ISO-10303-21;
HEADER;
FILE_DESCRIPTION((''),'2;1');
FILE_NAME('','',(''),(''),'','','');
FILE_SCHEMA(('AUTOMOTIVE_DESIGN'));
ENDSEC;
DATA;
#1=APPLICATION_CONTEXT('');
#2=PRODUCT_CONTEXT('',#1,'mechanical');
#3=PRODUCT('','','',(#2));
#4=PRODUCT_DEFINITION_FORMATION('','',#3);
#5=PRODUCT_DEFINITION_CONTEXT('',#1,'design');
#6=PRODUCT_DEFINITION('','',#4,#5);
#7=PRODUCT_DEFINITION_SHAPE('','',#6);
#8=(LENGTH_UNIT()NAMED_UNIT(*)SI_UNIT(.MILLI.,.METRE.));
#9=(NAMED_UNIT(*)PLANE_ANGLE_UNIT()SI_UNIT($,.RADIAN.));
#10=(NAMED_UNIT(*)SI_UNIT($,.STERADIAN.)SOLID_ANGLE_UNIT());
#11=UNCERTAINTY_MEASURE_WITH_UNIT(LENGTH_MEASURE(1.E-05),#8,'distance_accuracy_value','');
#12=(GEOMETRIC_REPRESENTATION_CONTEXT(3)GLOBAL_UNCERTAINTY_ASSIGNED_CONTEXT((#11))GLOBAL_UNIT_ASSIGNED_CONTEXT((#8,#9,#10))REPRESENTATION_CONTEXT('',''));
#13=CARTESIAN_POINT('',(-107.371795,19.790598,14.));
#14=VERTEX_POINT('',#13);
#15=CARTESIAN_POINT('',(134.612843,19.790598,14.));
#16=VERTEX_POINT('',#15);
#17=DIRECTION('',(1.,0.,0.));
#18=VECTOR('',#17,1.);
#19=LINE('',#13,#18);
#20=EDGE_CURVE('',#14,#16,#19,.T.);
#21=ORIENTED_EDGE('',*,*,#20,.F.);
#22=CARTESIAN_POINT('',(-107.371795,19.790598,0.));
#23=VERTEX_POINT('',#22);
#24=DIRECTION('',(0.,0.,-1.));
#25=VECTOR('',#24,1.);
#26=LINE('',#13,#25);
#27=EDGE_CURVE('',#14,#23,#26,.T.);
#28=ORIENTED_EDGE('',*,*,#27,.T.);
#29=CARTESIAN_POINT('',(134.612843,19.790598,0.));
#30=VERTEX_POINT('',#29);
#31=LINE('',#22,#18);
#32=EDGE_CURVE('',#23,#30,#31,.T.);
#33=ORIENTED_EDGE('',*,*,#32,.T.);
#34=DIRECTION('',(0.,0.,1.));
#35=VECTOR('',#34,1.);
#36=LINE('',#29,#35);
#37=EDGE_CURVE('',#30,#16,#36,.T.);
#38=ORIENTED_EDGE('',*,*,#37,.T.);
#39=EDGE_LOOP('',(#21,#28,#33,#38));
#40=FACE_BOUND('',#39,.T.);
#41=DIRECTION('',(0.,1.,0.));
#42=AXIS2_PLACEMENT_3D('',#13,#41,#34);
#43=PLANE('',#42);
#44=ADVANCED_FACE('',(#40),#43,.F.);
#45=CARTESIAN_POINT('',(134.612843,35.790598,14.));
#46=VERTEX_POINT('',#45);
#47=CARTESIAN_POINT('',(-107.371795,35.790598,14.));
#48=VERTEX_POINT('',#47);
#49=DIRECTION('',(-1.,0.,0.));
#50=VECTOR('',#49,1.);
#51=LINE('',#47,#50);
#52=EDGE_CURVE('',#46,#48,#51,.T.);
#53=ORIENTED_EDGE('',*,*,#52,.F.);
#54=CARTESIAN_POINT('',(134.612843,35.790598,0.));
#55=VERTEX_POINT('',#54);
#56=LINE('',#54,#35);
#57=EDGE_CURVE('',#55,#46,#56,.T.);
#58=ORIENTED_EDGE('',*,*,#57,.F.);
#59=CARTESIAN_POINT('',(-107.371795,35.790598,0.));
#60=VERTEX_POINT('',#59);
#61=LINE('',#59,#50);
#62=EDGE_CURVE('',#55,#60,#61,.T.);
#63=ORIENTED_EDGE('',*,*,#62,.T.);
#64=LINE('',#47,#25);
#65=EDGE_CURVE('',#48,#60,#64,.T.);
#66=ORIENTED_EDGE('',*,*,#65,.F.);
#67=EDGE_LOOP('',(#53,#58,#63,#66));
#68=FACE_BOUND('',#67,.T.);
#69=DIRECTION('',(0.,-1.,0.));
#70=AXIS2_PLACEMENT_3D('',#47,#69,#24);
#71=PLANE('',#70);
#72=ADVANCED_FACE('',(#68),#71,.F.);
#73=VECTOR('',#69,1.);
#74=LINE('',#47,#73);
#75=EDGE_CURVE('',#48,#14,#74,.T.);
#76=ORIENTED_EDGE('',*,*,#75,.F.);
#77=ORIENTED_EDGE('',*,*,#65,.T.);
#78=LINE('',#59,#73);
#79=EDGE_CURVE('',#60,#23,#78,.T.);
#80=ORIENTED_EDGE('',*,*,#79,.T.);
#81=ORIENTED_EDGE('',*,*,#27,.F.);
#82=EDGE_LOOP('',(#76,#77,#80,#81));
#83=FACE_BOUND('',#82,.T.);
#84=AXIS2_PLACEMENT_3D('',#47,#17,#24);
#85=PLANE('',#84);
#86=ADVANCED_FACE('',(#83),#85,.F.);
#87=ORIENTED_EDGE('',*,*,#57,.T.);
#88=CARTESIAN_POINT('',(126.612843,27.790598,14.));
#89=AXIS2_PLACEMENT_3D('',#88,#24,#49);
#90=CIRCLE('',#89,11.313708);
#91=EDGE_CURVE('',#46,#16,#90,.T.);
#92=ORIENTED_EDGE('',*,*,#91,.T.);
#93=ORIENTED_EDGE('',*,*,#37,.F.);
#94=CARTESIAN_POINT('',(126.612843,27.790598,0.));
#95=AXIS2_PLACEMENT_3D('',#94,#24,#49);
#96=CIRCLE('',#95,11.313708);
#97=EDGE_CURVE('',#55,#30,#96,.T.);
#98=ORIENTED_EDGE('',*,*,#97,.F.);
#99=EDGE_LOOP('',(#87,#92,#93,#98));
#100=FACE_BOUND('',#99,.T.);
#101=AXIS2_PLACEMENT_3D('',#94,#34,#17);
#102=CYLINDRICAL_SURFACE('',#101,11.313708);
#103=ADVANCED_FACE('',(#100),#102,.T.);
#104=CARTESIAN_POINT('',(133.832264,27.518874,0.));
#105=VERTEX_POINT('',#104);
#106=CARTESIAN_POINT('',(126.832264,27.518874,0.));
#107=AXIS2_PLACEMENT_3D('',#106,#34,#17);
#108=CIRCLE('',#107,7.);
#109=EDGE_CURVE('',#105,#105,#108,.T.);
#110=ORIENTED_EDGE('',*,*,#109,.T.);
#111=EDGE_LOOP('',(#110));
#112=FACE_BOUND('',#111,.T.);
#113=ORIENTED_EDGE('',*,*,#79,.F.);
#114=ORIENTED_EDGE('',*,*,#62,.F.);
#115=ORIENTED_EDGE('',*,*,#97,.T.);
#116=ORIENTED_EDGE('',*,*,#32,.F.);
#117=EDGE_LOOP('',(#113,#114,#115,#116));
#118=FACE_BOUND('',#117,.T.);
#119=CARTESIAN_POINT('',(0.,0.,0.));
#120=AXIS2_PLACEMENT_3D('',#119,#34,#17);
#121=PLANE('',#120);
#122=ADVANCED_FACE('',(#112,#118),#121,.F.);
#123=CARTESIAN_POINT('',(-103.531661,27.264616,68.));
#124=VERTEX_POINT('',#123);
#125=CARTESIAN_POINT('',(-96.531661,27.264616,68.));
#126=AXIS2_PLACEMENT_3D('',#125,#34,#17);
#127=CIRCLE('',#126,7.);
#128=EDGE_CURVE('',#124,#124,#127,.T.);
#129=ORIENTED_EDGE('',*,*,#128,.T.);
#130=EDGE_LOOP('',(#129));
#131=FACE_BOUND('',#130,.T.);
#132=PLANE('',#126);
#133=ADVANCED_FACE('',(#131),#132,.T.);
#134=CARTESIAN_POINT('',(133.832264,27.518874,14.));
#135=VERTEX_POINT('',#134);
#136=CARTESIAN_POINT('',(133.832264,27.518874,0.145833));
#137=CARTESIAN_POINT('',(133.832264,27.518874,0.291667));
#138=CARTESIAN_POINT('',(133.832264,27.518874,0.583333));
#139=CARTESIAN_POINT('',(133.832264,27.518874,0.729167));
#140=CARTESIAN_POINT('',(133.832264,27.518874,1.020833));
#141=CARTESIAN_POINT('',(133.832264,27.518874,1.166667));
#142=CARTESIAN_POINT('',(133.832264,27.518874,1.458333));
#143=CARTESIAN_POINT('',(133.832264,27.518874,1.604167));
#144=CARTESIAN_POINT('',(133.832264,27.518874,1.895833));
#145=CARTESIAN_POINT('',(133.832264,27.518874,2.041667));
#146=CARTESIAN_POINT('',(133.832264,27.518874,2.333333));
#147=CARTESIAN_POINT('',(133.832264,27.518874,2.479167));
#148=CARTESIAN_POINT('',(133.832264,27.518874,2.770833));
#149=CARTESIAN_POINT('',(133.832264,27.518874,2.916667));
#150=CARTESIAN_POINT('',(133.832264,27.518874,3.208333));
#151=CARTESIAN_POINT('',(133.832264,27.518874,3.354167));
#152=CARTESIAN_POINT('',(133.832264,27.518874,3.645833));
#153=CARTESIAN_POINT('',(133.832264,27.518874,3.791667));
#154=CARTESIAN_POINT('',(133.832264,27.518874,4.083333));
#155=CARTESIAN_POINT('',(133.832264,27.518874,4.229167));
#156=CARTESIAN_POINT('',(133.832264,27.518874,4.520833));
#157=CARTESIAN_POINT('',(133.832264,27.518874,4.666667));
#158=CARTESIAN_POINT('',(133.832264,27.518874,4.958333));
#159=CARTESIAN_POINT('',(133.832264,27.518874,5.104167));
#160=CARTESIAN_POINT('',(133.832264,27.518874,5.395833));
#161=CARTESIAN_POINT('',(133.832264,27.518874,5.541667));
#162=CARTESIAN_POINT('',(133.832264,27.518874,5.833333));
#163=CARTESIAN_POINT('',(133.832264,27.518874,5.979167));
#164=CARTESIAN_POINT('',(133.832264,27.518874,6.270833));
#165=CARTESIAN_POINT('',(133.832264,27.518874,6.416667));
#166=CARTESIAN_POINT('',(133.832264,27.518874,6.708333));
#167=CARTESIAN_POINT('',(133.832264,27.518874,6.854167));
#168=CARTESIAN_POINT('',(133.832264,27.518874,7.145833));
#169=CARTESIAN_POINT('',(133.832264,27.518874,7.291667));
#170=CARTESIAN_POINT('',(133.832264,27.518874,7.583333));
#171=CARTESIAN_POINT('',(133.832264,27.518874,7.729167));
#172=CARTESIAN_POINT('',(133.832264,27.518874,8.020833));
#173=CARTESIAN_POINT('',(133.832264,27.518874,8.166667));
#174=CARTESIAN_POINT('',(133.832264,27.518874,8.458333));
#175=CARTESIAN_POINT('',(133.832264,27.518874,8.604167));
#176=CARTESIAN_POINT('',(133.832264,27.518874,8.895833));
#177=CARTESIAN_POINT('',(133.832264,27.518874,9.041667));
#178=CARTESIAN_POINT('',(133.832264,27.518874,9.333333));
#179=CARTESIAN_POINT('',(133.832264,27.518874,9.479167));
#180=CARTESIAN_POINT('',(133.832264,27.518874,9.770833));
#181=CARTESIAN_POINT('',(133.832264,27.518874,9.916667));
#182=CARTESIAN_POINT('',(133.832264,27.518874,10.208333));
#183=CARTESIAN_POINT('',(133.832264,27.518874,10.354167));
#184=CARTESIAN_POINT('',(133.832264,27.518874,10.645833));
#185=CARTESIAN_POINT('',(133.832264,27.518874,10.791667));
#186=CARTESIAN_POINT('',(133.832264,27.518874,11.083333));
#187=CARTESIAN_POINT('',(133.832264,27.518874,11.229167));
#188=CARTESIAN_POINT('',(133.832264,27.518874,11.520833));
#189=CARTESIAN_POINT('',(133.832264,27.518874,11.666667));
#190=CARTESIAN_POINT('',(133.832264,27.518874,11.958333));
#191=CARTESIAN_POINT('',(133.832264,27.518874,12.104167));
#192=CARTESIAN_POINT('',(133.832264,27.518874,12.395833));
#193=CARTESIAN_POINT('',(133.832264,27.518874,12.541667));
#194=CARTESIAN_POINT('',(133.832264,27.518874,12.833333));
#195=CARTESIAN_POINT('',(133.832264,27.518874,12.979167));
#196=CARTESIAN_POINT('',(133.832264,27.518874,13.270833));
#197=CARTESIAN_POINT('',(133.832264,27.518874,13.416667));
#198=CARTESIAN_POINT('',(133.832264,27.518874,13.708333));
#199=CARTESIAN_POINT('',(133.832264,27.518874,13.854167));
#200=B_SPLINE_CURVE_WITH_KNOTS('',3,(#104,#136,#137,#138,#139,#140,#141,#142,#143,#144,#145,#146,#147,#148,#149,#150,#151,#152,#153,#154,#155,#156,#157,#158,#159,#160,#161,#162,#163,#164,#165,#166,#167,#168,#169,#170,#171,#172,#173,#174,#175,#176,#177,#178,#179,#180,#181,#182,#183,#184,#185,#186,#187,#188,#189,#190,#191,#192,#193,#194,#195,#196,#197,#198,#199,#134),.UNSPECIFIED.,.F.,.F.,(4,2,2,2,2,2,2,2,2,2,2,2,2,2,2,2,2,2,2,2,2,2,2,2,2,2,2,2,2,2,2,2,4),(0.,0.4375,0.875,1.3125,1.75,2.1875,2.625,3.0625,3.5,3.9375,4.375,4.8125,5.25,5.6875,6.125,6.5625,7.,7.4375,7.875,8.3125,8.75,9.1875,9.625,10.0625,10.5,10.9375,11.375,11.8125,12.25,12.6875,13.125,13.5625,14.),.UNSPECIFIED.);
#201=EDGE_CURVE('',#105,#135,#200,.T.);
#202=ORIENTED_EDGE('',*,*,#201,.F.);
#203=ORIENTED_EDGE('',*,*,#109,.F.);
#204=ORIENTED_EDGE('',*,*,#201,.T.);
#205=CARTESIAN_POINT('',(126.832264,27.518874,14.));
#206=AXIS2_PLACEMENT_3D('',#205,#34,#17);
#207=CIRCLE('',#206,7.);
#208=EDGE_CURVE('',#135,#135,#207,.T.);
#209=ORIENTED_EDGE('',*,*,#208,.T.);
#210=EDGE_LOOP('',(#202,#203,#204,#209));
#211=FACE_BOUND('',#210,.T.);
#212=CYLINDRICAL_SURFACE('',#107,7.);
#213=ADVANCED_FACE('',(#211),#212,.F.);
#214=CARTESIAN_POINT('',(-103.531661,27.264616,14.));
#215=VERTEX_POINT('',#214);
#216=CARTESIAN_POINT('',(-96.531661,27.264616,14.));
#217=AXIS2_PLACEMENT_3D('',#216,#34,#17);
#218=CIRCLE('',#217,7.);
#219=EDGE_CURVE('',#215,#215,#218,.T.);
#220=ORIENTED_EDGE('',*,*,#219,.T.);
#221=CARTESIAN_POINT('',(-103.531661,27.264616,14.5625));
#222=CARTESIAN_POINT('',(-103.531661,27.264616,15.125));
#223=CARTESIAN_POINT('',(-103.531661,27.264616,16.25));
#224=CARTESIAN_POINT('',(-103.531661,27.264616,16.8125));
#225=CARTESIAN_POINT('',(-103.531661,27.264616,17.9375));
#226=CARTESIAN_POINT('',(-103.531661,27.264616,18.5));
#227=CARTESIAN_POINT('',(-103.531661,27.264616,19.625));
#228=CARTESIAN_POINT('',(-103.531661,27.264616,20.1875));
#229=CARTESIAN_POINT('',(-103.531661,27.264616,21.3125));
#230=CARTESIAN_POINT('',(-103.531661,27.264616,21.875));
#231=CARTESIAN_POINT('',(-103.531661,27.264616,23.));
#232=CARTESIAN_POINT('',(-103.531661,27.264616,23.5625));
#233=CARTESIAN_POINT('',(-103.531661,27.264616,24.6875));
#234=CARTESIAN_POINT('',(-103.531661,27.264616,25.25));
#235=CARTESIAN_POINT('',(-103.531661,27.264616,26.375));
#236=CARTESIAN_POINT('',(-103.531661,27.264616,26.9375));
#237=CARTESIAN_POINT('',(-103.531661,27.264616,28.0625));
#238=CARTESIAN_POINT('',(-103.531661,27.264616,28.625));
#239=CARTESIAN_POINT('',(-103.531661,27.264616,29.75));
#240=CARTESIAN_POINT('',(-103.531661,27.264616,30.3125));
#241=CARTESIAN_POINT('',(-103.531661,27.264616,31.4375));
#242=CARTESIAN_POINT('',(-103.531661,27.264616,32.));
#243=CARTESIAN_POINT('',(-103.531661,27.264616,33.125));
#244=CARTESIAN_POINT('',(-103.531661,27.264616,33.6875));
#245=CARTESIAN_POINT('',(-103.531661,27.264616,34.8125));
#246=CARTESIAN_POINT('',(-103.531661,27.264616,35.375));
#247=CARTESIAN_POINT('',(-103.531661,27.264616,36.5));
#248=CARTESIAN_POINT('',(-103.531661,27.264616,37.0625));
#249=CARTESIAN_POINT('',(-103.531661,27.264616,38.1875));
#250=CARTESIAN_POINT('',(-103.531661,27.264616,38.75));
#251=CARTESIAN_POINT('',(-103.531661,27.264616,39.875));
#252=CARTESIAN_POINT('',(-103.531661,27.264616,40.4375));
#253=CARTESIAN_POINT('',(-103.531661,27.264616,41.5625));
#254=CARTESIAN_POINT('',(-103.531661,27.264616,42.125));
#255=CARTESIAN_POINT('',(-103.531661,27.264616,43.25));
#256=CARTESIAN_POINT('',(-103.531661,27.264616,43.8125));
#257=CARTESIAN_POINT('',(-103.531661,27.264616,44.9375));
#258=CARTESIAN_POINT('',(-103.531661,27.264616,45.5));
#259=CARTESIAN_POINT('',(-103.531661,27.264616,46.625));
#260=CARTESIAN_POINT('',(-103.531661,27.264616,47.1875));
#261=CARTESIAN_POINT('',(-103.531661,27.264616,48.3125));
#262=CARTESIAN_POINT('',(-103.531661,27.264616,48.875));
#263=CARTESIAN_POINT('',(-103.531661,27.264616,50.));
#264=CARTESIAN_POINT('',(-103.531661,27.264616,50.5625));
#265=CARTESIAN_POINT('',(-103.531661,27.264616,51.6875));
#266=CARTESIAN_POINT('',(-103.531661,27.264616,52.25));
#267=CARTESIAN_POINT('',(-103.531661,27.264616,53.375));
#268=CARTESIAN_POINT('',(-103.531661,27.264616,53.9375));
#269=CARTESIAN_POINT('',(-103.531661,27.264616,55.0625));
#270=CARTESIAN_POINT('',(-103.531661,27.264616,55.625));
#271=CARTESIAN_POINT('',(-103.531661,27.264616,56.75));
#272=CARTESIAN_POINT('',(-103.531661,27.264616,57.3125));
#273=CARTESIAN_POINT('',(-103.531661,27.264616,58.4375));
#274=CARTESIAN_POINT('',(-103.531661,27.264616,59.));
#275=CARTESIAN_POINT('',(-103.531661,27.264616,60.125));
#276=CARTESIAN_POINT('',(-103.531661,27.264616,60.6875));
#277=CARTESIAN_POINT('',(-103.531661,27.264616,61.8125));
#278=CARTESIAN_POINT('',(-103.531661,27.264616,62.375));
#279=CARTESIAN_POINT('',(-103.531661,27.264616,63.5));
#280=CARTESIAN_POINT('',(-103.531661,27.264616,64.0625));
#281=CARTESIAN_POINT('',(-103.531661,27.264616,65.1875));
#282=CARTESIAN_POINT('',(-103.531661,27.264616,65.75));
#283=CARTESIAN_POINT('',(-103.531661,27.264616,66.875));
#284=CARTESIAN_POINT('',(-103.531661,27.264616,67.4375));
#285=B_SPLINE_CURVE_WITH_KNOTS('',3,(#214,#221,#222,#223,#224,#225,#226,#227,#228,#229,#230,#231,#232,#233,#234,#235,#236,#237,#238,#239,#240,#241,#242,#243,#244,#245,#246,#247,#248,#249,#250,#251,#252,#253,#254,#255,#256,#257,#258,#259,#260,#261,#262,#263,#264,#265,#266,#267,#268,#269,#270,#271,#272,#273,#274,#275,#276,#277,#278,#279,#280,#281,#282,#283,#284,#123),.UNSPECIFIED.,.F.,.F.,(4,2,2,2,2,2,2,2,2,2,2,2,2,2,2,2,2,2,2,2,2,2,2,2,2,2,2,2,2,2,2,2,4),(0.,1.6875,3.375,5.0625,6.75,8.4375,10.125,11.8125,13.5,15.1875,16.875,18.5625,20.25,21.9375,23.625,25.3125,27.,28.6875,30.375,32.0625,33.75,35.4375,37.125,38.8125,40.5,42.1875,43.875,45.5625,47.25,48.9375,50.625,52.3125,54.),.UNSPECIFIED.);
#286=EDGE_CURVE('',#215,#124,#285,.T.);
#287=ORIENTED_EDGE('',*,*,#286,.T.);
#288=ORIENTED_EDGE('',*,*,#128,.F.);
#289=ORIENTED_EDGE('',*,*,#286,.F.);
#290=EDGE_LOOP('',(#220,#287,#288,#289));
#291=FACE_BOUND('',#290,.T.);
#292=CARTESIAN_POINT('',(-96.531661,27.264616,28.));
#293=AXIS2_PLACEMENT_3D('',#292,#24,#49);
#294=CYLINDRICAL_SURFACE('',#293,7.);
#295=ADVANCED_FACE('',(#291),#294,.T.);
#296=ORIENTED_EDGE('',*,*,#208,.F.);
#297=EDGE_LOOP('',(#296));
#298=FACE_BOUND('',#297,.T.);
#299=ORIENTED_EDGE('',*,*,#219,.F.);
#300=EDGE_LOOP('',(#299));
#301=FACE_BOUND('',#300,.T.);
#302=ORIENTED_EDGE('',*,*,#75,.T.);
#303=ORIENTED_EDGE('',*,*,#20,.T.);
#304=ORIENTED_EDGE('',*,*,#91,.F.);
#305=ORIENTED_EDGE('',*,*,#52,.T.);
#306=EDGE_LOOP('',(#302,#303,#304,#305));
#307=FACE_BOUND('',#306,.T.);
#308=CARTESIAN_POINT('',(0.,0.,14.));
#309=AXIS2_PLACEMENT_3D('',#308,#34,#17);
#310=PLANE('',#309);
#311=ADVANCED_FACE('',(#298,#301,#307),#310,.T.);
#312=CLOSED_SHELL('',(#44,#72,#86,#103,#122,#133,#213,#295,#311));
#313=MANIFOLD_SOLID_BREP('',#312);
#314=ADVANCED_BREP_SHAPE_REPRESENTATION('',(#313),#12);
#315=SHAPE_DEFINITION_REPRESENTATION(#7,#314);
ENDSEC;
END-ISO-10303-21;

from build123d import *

# Parameters (mm, degrees)
SKETCH1_W           = 250
SKETCH1_H           = 16
BOSS_EXTRUDE1_DEPTH = 14
SKETCH2_R           = 7
CUT_EXTRUDE1_DEPTH  = 148.715171273
CUT_EXTRUDE3_DEPTH  = 148.715171273
SKETCH4_R           = 7
BOSS_EXTRUDE2_DEPTH = 14
SKETCH5_R           = 7
BOSS_EXTRUDE3_DEPTH = 40


with BuildPart() as part:
    # Sketch1 → Boss-Extrude1 (new body)
    with BuildSketch(Plane.XY):
        with Locations((17.628205128, 27.790598291)):
            Rectangle(SKETCH1_W, SKETCH1_H)
    extrude(amount=BOSS_EXTRUDE1_DEPTH)

    # Sketch2 → Cut-Extrude1 (cut, through all)
    with BuildSketch(Plane.XY.offset(14)):
        with Locations((126.832264356, 27.518873536)):
            Circle(SKETCH2_R)
    extrude(amount=-CUT_EXTRUDE1_DEPTH, mode=Mode.SUBTRACT)

    # Sketch3 → Cut-Extrude3 (cut, through all)
    with BuildSketch(Plane.XY.offset(14)):
        with BuildLine():
            Line((142.628205128, 19.790598291), (134.612843431, 19.790598291))
            ThreePointArc((134.612843431, 19.790598291), (137.92655193, 27.790598291), (134.612843431, 35.790598291))
            Line((134.612843431, 35.790598291), (142.628205128, 35.790598291))
            Line((142.628205128, 35.790598291), (142.628205128, 19.790598291))
        make_face()
    extrude(amount=-CUT_EXTRUDE3_DEPTH, mode=Mode.SUBTRACT)

    # Sketch4 → Boss-Extrude2 (add)
    with BuildSketch(Plane.XY.offset(14)):
        with Locations(Location((-96.531660716, 27.264616337, 0), (0, 0, 180))):
            Circle(SKETCH4_R)
    extrude(amount=BOSS_EXTRUDE2_DEPTH)

    # Sketch5 → Boss-Extrude3 (add)
    with BuildSketch(Plane.XY.offset(28)):
        with Locations(Location((-96.531660716, 27.264616337, 0), (0, 0, 180))):
            Circle(SKETCH5_R)
    extrude(amount=BOSS_EXTRUDE3_DEPTH)


solid = part.part
